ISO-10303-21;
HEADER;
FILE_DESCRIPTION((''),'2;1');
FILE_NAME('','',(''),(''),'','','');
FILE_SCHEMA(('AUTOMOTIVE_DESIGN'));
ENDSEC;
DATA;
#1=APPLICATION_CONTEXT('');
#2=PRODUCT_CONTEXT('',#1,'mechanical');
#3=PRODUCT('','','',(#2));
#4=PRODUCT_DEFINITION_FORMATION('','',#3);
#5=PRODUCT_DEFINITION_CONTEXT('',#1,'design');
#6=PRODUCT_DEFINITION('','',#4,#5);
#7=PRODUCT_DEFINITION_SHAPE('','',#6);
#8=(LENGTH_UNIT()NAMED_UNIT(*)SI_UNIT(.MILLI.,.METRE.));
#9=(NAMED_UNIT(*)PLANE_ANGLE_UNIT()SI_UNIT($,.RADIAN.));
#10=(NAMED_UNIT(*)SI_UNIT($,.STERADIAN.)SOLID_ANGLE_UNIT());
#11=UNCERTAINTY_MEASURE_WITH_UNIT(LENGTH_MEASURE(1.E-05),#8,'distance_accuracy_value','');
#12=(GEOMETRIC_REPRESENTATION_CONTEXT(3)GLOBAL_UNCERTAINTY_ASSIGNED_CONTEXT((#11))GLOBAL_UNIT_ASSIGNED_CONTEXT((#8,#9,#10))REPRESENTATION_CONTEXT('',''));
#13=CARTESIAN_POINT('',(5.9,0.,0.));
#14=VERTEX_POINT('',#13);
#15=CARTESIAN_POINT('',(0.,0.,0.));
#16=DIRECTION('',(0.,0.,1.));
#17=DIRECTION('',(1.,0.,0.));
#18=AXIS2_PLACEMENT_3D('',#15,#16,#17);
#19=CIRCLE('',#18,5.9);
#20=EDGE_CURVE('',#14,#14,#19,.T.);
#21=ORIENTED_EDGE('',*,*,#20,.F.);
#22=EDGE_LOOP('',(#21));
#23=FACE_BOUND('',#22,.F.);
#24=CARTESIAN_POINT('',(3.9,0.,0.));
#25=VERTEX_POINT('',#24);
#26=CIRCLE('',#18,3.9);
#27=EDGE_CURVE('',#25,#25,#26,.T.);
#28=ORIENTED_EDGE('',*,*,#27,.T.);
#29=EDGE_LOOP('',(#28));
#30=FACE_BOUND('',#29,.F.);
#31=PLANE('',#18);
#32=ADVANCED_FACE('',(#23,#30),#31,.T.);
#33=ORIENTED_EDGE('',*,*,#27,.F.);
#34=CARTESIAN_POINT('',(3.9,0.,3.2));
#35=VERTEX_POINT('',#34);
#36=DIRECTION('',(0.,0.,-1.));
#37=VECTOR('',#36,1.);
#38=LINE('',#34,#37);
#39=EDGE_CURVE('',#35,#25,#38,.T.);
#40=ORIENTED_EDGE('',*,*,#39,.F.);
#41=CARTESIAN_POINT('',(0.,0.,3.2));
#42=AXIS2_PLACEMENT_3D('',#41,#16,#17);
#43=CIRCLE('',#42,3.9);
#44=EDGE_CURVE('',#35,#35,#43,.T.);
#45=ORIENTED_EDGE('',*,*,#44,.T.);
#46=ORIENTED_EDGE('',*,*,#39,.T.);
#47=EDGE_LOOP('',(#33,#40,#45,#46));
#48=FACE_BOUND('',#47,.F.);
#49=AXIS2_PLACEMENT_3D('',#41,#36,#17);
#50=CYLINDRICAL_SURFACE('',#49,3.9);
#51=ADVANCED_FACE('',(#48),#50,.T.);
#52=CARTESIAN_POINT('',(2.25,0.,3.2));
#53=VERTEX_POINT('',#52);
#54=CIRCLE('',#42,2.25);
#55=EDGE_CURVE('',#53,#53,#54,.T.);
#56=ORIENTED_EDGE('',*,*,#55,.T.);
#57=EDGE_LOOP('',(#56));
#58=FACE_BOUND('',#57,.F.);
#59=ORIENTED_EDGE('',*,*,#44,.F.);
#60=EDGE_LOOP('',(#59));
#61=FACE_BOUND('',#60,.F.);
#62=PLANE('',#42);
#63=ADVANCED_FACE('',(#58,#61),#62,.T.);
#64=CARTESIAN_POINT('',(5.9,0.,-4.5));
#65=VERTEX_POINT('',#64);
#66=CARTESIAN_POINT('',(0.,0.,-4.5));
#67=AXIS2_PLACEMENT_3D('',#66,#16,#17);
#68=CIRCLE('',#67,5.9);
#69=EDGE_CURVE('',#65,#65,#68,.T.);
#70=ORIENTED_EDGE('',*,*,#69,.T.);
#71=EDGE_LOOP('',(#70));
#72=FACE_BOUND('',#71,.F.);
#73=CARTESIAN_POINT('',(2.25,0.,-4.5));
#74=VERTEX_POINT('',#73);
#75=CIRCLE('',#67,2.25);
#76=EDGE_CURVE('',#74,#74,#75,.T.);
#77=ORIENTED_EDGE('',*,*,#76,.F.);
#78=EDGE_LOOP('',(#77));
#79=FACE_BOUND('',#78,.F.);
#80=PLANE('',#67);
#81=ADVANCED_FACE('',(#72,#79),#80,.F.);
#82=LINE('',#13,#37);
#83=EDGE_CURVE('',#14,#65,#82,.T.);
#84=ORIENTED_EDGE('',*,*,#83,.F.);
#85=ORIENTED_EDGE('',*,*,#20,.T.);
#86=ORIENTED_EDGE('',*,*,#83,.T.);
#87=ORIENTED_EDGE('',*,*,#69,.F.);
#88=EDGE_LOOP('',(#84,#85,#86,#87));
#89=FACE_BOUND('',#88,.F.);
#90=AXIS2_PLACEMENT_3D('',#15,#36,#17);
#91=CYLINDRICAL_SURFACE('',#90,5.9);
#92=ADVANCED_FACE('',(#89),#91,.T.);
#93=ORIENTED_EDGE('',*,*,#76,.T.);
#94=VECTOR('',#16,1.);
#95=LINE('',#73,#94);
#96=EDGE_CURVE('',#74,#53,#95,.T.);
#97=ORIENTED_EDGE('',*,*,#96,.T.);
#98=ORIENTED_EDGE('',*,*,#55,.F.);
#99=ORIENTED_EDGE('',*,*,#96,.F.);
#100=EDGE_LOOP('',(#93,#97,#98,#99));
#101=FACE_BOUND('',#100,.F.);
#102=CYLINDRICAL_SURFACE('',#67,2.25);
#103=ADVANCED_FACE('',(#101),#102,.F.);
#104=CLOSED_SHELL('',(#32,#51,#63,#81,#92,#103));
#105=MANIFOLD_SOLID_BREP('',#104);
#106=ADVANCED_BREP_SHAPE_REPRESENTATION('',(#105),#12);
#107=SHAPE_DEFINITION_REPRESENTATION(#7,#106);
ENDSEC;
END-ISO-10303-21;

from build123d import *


with BuildPart() as part:
    # Sketch → Revolution (revolve)
    with BuildSketch(Plane.XZ):
        Polygon((2.25, -4.5), (2.25, 3.2), (3.9, 3.2), (3.9, 0), (5.9, 0), (5.9, -4.5), align=None)
    revolve(axis=Axis((0, 0, 0), (0, 0, 1)))


solid = part.part
